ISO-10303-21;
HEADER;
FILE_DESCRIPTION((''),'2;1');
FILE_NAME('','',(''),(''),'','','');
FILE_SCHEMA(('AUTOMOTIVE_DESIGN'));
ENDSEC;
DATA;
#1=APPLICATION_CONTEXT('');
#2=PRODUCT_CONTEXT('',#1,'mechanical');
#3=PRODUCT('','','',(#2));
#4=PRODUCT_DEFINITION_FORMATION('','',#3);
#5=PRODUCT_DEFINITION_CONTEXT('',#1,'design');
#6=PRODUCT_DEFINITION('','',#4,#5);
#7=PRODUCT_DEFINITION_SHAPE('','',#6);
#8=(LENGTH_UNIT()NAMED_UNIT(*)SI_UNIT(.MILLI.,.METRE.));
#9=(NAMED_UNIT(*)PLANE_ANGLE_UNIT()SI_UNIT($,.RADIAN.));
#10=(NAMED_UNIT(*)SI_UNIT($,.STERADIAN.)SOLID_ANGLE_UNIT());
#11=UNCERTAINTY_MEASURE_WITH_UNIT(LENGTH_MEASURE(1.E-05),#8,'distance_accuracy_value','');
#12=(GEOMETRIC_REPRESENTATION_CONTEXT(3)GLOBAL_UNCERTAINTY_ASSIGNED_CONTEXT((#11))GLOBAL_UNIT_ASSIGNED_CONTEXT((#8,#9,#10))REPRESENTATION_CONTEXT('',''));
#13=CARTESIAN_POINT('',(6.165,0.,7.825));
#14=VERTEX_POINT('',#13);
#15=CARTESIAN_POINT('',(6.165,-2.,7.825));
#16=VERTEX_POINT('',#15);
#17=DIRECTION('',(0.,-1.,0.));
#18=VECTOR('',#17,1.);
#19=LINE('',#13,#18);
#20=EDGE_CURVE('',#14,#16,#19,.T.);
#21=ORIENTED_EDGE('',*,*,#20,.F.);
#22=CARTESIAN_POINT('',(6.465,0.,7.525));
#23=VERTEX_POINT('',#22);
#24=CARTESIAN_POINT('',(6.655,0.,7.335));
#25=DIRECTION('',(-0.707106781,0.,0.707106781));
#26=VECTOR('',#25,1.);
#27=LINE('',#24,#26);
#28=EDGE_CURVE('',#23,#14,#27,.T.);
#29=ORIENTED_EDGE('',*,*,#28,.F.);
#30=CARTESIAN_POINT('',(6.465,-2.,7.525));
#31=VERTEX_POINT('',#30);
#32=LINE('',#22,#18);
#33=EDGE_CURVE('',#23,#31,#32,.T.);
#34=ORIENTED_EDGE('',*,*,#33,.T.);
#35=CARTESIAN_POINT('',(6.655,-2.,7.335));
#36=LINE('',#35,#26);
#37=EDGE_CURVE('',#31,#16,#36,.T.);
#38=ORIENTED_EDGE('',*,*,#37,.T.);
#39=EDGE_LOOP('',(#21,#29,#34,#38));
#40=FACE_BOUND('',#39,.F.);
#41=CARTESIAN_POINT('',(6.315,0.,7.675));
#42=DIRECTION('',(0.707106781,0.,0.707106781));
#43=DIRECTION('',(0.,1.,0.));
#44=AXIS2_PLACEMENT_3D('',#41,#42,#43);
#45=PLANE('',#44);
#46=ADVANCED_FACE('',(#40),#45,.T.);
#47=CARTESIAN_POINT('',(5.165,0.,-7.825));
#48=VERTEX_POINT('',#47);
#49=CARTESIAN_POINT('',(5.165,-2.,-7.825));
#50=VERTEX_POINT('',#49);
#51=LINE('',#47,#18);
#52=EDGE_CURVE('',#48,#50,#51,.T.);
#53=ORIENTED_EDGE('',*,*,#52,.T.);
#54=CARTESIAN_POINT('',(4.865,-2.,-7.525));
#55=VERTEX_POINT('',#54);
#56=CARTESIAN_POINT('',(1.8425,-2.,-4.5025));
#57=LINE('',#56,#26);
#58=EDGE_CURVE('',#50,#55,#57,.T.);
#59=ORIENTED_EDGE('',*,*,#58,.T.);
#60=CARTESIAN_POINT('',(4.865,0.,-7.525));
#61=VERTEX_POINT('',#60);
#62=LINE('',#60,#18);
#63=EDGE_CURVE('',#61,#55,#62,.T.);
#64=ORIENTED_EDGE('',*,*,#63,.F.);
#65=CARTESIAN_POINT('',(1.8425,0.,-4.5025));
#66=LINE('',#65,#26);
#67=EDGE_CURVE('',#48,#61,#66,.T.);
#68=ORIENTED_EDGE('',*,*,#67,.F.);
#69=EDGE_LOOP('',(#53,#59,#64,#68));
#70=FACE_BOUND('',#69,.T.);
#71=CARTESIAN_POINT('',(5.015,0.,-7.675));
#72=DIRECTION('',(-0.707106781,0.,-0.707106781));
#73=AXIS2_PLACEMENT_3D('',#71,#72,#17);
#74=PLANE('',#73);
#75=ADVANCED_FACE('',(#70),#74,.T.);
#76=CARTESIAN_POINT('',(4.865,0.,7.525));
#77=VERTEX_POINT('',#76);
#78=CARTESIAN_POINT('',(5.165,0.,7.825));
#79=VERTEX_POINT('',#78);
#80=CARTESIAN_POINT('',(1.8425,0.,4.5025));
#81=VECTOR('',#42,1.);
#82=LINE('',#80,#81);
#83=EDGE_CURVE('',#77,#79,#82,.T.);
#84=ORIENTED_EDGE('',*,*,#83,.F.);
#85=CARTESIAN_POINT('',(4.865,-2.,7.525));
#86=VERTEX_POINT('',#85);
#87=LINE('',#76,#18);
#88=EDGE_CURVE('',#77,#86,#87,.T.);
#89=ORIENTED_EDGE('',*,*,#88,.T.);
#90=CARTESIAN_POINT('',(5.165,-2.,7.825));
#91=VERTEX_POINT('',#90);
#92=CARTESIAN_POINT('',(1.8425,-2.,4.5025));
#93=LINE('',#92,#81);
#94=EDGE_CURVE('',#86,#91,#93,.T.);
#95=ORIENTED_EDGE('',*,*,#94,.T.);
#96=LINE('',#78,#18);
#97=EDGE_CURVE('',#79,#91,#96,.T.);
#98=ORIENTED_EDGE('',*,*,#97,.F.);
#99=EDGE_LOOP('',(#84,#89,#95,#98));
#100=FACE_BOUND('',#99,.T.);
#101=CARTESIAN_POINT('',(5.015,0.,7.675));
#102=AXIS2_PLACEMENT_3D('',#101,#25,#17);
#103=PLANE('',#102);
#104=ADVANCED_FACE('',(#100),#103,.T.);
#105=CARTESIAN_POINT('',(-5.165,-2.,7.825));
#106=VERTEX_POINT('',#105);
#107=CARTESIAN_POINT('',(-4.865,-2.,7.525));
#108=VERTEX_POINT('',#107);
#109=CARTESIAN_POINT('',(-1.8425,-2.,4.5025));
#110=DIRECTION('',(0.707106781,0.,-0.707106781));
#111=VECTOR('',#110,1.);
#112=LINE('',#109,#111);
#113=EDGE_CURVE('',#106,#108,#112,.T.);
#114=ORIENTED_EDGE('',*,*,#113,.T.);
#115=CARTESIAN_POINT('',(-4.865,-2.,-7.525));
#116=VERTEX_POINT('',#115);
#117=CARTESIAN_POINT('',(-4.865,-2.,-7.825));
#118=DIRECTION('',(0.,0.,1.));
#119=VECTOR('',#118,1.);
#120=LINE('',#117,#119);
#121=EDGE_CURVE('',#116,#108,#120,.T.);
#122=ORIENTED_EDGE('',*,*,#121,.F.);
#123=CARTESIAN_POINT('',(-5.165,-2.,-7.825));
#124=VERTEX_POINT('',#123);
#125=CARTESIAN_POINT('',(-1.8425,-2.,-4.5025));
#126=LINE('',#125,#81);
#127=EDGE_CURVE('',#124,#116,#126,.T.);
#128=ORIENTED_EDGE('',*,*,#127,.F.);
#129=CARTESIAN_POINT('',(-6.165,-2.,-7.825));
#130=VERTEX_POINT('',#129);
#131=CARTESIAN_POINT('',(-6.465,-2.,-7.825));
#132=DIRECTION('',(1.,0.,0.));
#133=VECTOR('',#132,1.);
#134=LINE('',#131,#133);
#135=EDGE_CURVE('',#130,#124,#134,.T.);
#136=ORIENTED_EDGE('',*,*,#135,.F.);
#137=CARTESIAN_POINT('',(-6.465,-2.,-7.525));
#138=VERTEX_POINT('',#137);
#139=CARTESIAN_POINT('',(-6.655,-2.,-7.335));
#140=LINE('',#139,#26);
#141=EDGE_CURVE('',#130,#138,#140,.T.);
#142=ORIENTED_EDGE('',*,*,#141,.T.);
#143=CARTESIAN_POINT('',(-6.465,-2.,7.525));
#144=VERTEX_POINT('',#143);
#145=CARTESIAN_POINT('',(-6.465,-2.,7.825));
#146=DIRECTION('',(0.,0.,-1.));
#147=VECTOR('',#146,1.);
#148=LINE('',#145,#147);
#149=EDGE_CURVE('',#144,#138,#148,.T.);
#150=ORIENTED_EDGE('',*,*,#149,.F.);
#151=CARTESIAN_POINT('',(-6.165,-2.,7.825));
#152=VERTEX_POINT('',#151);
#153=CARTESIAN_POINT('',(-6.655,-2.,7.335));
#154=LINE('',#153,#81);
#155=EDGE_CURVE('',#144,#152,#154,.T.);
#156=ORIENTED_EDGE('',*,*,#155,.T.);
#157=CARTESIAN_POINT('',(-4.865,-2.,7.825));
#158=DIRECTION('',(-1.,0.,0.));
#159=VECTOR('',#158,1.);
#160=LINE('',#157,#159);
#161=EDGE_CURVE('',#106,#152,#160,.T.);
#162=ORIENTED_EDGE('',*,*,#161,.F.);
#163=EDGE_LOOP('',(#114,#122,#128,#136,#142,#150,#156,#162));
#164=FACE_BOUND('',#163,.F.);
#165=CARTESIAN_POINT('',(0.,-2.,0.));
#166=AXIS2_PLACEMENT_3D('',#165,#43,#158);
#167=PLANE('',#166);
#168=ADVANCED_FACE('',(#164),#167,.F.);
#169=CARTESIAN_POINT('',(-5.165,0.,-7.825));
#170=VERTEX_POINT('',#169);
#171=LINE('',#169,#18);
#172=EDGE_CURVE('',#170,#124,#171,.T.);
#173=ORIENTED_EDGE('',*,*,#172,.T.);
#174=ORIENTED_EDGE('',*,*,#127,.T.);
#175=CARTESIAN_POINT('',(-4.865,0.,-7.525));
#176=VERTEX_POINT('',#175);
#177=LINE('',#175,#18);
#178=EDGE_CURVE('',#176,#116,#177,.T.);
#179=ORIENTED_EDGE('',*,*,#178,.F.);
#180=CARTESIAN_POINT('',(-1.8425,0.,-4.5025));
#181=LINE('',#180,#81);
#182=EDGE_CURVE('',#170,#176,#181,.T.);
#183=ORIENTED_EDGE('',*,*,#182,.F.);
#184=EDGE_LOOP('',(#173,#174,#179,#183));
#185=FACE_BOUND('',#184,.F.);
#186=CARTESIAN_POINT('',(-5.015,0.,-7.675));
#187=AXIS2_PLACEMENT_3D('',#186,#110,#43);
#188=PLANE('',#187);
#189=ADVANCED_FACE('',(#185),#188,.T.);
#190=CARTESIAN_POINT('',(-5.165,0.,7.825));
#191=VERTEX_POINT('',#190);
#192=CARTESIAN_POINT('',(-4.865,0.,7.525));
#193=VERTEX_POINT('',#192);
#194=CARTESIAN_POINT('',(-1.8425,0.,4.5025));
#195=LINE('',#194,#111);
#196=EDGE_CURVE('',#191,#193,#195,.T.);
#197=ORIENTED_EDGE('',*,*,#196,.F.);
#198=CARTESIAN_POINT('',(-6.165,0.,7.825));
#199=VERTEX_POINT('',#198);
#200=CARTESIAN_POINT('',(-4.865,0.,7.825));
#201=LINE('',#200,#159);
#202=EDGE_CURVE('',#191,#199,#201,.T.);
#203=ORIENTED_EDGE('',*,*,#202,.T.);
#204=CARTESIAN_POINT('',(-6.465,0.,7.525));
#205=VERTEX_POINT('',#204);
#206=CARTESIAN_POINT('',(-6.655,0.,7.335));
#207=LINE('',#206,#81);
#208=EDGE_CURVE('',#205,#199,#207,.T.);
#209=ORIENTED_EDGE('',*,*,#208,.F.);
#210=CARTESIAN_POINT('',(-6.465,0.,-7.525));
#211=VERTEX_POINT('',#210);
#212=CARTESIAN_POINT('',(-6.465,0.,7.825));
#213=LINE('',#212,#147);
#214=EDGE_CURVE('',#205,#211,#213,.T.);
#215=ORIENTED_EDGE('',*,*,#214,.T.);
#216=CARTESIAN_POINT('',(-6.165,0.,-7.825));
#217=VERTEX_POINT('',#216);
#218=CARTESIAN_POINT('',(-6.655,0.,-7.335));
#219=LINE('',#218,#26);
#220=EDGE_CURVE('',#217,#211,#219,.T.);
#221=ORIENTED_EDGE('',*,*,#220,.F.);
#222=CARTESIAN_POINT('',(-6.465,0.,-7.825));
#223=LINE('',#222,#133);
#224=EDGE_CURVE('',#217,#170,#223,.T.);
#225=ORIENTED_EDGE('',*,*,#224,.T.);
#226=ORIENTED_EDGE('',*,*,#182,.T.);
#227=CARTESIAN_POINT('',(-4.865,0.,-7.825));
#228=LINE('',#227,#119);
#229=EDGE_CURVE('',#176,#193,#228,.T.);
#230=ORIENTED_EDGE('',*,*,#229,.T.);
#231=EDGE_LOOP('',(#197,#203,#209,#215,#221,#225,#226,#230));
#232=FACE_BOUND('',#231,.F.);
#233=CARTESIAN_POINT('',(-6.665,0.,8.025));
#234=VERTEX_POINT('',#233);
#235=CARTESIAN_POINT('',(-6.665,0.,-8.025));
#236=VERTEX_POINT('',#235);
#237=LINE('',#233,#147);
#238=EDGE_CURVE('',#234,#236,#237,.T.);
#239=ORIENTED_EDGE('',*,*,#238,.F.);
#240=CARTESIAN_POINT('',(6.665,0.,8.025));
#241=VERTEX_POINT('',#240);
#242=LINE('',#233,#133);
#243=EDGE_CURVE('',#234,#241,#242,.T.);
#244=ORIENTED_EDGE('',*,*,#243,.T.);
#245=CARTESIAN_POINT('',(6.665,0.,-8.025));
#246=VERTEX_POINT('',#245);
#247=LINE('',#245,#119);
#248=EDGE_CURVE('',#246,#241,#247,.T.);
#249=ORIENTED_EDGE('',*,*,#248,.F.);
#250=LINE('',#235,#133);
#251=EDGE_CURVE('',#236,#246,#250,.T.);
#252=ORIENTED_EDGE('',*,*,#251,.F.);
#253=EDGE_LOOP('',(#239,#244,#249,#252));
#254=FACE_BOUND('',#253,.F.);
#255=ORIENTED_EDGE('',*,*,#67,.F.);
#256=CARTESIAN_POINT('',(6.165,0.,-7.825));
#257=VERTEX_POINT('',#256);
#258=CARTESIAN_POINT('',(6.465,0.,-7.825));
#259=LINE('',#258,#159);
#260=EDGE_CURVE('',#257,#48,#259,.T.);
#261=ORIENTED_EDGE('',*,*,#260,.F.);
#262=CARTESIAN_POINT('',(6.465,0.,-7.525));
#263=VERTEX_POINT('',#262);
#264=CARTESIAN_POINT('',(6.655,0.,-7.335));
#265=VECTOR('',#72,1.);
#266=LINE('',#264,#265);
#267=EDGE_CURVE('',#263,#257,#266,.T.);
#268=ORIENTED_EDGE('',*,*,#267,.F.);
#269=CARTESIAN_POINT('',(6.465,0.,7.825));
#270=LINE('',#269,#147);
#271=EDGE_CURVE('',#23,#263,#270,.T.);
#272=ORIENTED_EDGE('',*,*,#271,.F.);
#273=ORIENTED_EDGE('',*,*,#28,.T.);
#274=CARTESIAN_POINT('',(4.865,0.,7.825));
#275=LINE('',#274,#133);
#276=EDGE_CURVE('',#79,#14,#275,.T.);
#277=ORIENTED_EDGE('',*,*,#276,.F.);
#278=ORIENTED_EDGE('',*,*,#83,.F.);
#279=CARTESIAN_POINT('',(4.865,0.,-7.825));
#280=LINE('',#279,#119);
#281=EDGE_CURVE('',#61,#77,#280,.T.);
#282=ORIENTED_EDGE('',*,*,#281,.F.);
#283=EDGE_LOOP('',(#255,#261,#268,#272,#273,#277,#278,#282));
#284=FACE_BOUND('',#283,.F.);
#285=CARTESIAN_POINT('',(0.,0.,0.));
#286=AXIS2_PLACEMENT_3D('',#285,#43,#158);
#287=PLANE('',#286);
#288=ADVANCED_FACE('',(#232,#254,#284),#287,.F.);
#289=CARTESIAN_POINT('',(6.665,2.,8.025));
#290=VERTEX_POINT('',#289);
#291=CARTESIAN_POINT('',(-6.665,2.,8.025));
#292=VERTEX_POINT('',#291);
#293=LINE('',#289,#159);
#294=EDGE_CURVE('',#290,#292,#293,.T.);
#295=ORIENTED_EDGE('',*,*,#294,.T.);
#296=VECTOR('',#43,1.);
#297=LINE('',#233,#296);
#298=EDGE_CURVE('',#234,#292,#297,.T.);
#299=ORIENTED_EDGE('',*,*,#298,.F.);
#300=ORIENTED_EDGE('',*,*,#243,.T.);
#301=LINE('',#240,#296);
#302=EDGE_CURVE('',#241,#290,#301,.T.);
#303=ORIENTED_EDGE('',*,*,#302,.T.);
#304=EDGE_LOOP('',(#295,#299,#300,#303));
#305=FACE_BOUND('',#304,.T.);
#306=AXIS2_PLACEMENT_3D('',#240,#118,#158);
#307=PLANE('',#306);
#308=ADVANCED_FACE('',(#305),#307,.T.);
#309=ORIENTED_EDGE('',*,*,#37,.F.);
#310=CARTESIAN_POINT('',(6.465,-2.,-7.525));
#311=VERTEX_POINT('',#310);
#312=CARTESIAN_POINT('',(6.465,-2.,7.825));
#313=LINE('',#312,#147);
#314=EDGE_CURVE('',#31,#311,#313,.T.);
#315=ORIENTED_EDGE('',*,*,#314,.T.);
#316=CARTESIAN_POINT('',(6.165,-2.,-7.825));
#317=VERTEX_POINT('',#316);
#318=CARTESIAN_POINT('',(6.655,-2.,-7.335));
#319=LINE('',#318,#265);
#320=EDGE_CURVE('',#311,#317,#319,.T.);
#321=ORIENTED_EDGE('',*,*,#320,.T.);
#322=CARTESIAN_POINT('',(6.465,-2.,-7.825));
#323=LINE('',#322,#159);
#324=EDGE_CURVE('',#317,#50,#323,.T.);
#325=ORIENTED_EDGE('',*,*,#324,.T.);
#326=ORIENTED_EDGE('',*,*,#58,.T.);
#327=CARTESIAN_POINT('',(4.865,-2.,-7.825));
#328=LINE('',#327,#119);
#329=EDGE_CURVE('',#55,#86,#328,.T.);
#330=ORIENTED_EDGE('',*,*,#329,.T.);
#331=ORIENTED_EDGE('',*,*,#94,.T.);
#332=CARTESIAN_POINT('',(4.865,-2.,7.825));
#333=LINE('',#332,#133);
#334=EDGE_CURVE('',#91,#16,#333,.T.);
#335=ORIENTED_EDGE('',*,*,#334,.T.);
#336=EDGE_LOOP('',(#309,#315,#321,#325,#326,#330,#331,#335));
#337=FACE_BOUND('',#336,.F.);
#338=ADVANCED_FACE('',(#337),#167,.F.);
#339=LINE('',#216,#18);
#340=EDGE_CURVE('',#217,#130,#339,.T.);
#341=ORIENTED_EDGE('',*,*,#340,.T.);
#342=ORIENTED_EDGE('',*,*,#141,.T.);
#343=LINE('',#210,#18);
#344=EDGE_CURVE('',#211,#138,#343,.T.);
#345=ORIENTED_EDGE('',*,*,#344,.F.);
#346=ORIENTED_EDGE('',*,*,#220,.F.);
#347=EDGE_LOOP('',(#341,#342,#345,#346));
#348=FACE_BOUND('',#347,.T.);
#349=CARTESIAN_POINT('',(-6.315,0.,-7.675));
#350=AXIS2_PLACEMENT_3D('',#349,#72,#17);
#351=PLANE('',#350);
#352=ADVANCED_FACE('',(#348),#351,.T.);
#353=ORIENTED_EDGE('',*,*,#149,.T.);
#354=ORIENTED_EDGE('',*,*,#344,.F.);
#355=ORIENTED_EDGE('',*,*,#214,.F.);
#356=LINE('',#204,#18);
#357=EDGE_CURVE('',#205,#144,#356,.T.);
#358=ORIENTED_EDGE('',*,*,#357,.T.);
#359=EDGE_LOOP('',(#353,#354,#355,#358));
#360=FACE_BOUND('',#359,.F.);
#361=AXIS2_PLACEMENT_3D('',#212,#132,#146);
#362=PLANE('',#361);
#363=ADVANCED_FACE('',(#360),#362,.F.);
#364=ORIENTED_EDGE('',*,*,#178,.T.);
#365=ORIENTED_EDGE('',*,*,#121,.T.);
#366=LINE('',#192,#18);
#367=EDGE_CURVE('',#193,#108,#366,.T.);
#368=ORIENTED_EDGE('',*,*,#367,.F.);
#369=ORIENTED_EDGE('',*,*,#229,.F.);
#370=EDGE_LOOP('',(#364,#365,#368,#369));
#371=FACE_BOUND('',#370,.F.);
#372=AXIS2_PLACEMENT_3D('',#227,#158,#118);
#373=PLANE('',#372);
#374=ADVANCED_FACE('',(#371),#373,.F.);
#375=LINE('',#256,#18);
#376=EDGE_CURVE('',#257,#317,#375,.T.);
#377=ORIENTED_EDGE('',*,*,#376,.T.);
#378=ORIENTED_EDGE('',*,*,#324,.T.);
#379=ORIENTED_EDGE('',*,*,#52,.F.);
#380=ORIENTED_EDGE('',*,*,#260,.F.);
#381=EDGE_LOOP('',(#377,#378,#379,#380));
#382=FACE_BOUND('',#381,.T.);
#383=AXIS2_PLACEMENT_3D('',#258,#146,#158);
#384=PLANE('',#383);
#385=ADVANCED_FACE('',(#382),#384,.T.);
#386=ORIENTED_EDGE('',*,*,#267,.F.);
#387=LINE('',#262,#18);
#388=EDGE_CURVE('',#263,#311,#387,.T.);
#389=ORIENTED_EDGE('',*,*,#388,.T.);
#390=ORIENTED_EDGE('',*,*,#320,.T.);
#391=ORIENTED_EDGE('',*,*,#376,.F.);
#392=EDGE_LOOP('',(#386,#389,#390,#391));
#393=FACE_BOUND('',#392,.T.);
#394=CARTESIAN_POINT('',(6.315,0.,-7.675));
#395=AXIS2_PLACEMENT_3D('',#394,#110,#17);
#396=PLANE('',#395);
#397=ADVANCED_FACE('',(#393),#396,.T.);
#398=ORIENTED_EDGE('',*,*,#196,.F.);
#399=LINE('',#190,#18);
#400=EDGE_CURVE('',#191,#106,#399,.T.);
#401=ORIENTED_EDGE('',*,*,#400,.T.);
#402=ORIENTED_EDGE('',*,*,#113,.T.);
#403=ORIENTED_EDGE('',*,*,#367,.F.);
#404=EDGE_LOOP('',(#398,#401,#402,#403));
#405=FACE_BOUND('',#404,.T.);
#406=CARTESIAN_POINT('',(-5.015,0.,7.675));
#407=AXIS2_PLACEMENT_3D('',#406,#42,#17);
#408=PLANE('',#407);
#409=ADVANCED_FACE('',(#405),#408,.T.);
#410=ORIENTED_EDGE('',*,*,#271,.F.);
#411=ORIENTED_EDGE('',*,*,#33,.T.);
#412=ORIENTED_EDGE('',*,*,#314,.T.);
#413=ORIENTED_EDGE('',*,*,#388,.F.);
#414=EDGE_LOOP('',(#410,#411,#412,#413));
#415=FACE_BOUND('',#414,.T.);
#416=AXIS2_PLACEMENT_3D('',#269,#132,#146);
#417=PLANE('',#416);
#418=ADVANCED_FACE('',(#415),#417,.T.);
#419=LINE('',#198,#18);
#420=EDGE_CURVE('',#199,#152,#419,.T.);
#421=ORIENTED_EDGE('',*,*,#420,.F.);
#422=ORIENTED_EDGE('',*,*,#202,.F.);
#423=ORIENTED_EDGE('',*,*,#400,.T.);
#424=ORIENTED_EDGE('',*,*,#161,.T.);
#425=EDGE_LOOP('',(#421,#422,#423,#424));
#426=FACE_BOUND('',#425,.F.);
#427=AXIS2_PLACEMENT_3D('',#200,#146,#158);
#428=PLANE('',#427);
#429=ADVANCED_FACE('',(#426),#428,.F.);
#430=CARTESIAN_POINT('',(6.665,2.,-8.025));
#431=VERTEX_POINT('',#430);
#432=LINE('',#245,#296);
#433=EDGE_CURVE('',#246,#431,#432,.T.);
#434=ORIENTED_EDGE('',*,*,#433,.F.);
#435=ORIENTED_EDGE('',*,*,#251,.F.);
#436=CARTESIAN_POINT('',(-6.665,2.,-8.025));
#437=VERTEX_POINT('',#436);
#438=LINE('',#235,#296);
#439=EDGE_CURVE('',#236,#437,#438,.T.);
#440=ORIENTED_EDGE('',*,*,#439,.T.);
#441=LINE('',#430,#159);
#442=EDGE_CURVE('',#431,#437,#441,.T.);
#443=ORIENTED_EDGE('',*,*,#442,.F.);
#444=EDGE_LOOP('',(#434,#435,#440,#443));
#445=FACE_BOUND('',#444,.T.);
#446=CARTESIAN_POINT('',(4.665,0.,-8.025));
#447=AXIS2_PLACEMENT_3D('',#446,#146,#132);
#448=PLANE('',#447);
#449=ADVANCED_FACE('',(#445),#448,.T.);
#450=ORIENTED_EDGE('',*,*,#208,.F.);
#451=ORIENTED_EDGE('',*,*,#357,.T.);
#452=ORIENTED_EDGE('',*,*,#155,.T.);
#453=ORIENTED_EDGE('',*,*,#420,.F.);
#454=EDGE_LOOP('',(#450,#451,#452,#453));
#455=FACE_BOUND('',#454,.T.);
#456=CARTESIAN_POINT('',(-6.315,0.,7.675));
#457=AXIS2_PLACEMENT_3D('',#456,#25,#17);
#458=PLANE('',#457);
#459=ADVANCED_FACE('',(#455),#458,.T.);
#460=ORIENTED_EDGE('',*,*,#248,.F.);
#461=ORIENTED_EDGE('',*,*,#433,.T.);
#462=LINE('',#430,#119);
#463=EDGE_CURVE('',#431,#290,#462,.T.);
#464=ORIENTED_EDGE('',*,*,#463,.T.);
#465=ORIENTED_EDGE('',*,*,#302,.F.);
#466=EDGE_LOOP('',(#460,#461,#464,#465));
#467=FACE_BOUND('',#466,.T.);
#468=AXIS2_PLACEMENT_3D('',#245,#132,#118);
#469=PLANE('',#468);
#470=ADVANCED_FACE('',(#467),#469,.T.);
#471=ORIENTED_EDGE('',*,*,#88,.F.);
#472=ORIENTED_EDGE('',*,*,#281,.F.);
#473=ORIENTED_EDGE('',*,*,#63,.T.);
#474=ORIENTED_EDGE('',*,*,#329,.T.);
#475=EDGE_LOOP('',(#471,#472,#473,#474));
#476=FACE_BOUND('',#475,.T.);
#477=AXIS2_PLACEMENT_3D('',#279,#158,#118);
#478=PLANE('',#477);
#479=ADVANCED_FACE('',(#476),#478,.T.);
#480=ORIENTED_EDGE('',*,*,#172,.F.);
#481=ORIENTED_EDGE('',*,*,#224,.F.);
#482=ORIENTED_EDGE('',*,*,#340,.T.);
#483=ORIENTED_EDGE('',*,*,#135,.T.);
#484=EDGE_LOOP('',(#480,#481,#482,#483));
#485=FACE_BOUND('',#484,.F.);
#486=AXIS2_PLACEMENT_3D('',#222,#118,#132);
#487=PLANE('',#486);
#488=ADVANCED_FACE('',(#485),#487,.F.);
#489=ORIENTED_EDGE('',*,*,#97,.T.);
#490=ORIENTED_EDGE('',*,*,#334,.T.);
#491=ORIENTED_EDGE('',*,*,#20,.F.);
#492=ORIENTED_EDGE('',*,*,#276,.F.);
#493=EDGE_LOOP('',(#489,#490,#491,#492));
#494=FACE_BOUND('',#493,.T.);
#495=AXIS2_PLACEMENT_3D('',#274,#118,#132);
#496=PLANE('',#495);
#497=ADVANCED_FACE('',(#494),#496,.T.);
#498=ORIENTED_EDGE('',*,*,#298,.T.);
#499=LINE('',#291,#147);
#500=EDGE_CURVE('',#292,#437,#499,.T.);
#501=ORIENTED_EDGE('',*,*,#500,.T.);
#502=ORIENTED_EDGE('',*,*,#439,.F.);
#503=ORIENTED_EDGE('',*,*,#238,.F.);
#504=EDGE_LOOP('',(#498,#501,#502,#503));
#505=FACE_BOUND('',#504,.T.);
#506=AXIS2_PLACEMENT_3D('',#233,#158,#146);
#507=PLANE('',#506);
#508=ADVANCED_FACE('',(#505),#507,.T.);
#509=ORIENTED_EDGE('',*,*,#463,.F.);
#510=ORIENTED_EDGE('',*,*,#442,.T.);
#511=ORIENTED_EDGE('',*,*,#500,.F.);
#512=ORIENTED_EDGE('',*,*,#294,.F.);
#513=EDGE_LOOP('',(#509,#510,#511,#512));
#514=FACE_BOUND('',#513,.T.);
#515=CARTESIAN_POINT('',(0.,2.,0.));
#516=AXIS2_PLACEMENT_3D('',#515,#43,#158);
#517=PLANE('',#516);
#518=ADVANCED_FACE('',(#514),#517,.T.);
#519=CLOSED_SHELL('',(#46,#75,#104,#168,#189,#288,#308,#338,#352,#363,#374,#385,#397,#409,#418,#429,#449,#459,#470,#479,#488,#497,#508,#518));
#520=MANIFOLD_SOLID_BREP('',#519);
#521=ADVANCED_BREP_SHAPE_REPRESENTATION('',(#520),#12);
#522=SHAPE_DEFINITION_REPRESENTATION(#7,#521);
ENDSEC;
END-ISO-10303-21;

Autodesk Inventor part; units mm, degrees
ref_plane "YZ Plane" through (0, 0, 0) normal (1, 0, 0) x (0, 1, 0)
ref_plane "XZ Plane" through (0, 0, 0) normal (0, 1, 0) x (-1, 0, 0)
ref_plane "XY Plane" through (0, 0, 0) normal (0, 0, 1) x (1, 0, 0)
sketch "Sketch1" plane through (0, 0, 0) normal (0, 1, 0) x (-1, 0, 0)
  line L0 (-6.665, 8.025) -> (6.665, 8.025)
  line L1 (6.665, 8.025) -> (6.665, -8.025)
  line L2 (6.665, -8.025) -> (-6.665, -8.025)
  line L3 (-6.665, -8.025) -> (-6.665, 8.025)
  line L4 (-6.665, 8.025) -> (6.665, -8.025) construction
  line L5 (6.665, 8.025) -> (-6.665, -8.025) construction
  line L6 (0, -11.235) -> (0, 11.235) projected
  line L7 (6.665, 8.025) -> (4.665, 8.025)
  line L8 (4.665, 8.025) -> (4.665, -8.025)
  line L9 (4.665, -8.025) -> (6.665, -8.025)
  line L10 (6.665, -8.025) -> (6.665, 8.025)
  line L11 (-6.665, -8.025) -> (-4.665, -8.025)
  line L12 (-4.665, -8.025) -> (-4.665, 8.025)
  line L13 (-4.665, 8.025) -> (-6.665, 8.025)
  line L14 (-6.665, 8.025) -> (-6.665, -8.025)
  line L15 (4.865, -7.825) -> (4.865, 7.825)
  line L16 (4.865, 7.825) -> (6.465, 7.825)
  line L17 (6.465, 7.825) -> (6.465, -7.825)
  line L18 (6.465, -7.825) -> (4.865, -7.825)
  line L19 (-6.465, -7.825) -> (-4.865, -7.825)
  line L20 (-4.865, -7.825) -> (-4.865, 7.825)
  line L21 (-4.865, 7.825) -> (-6.465, 7.825)
  line L22 (-6.465, 7.825) -> (-6.465, -7.825)
  point P0 (0, 0)
  dimension "d0" = 16.05
  dimension "d1" = 13.33
  dimension "d7" = 2
  dimension "d8" = 0.2
  dimension "d9" = 0.2
extrude "Extrusion1" add sketch "Sketch1" along normal blind 2 contours L0 L12 L2 L3 | L0 L6 L2 L12 | L0 L8 L2 L6 | L0 L1 L2 L8 | L15 L16 L17 L18 | L22 L21 L20 L19
extrude "Extrusion2" add sketch "Sketch1" against normal blind 2 contours L15 L16 L17 L18 | L22 L21 L20 L19
chamfer "Chamfer1" distance 0.3 angle 45 8 edges at (-4.865, -1, 7.825) (-6.465, -1, 7.825) (4.865, -1, 7.825) (6.465, -1, 7.825) (4.865, -1, -7.825) (6.465, -1, -7.825) (-4.865, -1, -7.825) (-6.465, -1, -7.825)
properties part number "Logic_Level_Shifter"
